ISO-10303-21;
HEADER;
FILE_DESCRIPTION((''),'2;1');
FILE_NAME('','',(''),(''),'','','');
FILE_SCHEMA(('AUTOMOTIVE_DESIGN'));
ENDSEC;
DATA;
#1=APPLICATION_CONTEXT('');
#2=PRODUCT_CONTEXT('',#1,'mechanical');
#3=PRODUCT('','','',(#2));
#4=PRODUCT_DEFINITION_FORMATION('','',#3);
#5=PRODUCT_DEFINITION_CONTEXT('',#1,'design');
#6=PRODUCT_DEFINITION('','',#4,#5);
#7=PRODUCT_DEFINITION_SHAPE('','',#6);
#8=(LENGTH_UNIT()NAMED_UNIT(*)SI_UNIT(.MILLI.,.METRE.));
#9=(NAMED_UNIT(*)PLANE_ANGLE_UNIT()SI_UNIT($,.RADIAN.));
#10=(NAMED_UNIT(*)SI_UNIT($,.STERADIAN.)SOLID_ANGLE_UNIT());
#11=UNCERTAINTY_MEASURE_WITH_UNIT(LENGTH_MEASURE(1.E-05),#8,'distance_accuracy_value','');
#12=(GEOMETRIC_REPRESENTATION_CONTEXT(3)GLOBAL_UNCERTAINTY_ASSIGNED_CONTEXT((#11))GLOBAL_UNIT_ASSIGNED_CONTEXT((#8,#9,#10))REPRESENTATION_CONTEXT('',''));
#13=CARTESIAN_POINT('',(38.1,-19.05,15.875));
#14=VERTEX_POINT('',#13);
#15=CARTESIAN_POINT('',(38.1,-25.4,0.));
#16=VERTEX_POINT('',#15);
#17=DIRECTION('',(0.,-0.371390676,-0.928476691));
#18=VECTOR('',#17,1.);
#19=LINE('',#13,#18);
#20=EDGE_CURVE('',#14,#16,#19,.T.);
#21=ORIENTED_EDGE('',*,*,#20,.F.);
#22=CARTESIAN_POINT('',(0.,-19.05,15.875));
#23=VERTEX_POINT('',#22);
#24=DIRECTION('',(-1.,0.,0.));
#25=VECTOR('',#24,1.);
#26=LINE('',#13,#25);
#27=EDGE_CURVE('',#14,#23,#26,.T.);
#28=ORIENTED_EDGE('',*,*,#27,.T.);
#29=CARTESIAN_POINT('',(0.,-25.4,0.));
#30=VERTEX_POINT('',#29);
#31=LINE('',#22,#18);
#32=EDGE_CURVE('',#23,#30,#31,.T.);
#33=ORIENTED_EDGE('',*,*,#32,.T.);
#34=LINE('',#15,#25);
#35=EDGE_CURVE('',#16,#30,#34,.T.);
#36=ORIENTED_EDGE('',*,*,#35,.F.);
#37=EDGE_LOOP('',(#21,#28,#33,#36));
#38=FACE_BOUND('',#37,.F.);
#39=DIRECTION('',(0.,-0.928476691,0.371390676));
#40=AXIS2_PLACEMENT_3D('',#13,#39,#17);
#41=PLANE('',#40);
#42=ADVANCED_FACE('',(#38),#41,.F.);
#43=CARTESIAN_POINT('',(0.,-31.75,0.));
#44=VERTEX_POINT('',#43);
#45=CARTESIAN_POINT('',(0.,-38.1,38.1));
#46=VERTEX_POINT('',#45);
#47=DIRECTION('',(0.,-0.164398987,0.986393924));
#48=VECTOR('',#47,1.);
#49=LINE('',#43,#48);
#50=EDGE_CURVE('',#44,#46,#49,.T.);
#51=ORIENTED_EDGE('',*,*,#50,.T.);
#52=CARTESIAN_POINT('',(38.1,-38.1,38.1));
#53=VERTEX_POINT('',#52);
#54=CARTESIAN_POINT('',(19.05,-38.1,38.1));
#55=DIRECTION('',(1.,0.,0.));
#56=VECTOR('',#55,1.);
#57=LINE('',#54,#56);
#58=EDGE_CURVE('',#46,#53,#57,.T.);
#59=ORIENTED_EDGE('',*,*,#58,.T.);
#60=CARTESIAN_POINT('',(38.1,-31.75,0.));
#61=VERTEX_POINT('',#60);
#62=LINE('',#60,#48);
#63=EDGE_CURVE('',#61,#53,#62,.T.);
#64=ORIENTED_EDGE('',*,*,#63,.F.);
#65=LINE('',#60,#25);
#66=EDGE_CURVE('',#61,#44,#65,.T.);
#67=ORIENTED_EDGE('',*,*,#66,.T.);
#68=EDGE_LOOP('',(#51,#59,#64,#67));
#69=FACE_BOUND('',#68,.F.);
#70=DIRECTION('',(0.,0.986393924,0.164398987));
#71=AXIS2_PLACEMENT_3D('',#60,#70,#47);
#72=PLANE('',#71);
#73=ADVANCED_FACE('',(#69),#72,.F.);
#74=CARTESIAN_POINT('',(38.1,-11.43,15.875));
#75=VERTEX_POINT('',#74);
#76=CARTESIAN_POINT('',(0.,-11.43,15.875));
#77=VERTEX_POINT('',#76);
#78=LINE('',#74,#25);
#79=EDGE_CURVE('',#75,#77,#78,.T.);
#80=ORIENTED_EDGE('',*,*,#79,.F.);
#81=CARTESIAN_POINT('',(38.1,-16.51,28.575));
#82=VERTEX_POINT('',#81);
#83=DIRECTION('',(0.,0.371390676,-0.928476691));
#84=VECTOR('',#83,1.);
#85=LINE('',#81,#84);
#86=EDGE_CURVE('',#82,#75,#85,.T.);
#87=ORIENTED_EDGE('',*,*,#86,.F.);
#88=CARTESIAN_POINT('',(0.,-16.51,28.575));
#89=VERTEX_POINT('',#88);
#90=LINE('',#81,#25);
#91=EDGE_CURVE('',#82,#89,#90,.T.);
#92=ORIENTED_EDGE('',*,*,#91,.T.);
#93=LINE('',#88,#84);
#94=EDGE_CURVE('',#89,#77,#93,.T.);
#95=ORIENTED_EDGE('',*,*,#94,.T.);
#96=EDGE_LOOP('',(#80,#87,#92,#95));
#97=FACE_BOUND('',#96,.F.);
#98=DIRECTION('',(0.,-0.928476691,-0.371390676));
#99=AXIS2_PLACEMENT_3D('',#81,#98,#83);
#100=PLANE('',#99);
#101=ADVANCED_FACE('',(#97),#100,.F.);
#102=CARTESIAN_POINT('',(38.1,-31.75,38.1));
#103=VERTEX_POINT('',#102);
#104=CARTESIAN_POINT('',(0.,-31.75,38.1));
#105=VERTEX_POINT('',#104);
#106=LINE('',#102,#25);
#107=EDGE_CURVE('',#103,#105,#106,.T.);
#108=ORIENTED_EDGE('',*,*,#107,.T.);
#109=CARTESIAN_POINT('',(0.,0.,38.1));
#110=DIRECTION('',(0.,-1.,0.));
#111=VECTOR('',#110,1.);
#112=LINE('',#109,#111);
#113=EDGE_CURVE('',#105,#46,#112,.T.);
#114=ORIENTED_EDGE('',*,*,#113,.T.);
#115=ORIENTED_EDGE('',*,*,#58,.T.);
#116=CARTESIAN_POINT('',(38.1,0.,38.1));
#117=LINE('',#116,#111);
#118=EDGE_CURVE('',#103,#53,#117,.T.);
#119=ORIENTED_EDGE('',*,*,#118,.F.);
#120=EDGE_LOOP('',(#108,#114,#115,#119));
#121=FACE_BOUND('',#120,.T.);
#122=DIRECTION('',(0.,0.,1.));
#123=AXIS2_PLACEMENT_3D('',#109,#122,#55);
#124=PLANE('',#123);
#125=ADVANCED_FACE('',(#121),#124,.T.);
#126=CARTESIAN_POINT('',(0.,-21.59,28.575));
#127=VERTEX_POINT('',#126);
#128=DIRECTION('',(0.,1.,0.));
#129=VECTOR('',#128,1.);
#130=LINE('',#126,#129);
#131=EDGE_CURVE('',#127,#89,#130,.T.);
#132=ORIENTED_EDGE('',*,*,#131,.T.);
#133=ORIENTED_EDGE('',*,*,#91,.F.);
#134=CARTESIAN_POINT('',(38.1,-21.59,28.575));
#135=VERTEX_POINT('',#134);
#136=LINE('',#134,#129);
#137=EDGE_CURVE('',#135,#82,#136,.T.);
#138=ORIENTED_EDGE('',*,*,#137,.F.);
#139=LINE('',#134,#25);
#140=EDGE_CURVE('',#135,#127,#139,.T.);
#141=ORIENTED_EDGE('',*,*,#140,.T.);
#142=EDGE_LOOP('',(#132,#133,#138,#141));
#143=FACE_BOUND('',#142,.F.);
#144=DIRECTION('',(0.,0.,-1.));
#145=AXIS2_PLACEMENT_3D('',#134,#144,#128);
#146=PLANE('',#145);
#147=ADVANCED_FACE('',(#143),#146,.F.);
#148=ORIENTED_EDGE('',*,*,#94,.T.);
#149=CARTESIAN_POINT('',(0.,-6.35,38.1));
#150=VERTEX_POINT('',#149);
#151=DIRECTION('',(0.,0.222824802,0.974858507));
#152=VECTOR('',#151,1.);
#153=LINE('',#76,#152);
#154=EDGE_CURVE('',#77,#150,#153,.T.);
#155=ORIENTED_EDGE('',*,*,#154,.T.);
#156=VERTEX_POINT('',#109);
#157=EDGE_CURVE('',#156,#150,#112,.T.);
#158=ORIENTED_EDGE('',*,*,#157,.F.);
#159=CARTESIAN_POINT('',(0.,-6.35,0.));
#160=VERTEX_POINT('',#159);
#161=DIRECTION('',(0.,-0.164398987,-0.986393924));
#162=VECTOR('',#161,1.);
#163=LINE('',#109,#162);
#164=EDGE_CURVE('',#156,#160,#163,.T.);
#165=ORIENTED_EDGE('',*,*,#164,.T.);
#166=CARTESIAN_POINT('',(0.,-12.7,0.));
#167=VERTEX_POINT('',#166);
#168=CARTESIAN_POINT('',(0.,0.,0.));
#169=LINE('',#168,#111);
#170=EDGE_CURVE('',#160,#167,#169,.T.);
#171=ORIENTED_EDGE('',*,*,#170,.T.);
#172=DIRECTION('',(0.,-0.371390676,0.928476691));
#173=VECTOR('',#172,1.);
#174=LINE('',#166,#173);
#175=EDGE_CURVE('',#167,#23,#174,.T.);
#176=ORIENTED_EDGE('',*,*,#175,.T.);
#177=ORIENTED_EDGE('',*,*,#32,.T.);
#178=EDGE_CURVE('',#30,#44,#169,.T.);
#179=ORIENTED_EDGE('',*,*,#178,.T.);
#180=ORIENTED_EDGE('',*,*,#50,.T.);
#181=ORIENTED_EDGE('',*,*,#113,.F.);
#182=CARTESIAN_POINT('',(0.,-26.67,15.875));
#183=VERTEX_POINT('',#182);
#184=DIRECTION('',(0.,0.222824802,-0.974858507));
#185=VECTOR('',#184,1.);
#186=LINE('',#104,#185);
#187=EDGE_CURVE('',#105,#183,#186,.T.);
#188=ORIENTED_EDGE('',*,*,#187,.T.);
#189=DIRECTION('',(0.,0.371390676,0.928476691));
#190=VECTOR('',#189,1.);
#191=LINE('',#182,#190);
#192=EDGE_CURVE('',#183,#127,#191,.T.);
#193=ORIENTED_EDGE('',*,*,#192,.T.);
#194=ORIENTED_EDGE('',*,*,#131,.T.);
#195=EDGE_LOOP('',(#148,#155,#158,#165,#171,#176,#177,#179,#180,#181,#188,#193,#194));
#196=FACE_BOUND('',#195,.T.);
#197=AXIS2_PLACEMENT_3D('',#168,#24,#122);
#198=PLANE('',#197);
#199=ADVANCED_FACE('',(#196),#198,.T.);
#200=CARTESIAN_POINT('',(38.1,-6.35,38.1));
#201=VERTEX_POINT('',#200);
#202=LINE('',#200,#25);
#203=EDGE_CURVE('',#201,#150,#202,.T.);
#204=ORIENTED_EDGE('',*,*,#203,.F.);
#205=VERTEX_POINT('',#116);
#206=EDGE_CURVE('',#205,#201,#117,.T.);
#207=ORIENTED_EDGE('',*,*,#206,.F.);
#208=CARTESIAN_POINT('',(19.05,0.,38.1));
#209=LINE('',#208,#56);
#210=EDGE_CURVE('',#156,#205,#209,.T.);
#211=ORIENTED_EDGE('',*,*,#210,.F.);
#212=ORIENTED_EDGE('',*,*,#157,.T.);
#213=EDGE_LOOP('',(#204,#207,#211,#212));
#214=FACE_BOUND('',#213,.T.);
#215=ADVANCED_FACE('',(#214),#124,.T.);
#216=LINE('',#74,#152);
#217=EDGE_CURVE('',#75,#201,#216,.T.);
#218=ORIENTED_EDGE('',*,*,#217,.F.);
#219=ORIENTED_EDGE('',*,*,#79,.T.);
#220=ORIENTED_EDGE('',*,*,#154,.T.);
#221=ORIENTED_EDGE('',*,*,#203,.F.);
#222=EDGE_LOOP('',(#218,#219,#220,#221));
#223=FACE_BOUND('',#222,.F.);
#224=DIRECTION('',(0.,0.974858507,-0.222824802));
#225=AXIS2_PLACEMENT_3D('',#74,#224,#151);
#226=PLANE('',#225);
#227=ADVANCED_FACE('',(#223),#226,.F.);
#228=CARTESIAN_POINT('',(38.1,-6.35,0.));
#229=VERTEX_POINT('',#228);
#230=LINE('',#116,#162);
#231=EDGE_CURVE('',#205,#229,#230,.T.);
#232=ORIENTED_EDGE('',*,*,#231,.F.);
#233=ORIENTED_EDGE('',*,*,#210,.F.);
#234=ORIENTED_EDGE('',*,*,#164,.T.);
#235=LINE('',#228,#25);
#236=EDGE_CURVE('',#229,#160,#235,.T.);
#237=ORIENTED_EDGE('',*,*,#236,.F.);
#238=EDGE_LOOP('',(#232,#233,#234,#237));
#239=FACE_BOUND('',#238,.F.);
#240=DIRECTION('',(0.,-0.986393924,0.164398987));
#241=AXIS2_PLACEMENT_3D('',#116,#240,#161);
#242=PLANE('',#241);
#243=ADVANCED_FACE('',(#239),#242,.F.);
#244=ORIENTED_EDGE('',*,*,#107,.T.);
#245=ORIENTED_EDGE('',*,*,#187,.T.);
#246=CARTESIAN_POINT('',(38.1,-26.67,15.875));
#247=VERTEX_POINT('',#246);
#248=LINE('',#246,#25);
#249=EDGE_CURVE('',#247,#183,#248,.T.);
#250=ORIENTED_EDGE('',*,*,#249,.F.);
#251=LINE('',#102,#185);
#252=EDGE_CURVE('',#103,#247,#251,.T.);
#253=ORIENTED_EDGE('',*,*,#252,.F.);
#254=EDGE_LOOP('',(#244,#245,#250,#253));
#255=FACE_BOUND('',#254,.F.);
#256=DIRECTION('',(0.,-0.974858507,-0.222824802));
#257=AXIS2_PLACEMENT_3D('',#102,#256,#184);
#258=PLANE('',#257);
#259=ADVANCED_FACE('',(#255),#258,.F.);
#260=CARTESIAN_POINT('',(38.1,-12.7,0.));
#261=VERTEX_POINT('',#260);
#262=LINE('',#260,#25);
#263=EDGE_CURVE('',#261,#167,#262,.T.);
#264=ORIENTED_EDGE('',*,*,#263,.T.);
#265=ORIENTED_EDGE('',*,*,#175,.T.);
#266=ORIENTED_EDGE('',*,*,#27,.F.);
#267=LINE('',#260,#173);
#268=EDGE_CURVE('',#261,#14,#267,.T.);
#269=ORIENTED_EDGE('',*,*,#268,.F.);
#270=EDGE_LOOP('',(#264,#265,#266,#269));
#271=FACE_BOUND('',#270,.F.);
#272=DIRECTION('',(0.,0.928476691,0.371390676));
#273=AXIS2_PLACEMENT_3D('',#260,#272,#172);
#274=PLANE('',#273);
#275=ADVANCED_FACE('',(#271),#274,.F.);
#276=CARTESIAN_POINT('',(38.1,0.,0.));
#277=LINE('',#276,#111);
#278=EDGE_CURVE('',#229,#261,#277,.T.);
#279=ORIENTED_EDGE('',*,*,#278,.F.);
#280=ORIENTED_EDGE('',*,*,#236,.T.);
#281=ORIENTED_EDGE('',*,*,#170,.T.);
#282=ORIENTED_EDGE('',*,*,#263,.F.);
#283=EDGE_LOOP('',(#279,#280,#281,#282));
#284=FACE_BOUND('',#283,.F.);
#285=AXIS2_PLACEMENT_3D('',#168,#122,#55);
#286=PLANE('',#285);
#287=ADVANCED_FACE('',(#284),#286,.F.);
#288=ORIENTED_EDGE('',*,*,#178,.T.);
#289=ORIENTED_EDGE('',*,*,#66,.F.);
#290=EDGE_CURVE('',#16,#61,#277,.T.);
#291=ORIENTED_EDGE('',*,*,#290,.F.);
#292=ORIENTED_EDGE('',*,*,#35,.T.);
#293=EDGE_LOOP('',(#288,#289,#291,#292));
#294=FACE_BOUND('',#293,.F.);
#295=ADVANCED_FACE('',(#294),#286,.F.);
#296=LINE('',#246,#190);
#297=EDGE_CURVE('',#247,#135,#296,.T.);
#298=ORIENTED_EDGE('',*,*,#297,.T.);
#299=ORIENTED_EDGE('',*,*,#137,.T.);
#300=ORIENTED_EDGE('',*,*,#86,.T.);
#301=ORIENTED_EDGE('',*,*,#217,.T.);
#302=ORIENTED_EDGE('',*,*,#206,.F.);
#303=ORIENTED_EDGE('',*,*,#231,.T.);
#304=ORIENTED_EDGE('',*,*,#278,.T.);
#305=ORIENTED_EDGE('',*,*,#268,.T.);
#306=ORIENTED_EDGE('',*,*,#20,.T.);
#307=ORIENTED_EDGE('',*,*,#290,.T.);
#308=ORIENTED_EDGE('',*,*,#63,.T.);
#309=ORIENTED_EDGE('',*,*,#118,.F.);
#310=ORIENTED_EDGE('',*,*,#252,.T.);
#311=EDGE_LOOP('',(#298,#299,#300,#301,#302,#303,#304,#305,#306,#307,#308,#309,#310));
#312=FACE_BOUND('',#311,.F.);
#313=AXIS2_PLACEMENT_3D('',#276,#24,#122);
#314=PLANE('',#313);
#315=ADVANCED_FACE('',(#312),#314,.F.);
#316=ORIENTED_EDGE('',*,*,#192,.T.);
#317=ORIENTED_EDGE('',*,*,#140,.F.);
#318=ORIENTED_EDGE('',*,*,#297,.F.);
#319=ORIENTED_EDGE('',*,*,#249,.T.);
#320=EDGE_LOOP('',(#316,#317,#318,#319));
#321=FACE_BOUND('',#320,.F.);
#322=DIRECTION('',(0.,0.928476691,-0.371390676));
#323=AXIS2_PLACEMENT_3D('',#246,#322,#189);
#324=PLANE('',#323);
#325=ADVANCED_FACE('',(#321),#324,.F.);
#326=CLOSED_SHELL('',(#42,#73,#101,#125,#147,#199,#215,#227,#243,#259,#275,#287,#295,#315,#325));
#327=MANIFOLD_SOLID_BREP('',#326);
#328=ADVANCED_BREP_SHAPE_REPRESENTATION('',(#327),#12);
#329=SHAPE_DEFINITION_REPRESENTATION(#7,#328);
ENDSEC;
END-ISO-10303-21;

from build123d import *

# Parameters (mm, degrees)
F0_W     = 38.1
F0_H     = 38.1
F1_DEPTH = 38.1
F4_DEPTH = 38.1


with BuildPart() as f1:
    # F0 (on Front) → F1 (new body)
    with BuildSketch(Plane.XZ):
        with Locations((19.05, 19.05)):
            Rectangle(F0_W, F0_H)
    extrude(amount=F1_DEPTH)

    # F3 (on offset) → F4 (cut)
    with BuildSketch(Plane.YZ.offset(38.1)):
        Polygon((-6.35, 38.1), (-31.75, 38.1), (-26.67, 15.875), (-21.59, 28.575), (-16.51, 28.575), (-11.43, 15.875), align=None)
        Polygon((-31.75, 0), (-38.1, 38.1), (-38.1, 0), align=None)
        Polygon((-19.05, 15.875), (-25.4, 0), (-12.7, 0), align=None)
        Polygon((0, 0), (0, 38.1), (-6.35, 0), align=None)
    extrude(amount=-F4_DEPTH, mode=Mode.SUBTRACT)


solid = f1.part
